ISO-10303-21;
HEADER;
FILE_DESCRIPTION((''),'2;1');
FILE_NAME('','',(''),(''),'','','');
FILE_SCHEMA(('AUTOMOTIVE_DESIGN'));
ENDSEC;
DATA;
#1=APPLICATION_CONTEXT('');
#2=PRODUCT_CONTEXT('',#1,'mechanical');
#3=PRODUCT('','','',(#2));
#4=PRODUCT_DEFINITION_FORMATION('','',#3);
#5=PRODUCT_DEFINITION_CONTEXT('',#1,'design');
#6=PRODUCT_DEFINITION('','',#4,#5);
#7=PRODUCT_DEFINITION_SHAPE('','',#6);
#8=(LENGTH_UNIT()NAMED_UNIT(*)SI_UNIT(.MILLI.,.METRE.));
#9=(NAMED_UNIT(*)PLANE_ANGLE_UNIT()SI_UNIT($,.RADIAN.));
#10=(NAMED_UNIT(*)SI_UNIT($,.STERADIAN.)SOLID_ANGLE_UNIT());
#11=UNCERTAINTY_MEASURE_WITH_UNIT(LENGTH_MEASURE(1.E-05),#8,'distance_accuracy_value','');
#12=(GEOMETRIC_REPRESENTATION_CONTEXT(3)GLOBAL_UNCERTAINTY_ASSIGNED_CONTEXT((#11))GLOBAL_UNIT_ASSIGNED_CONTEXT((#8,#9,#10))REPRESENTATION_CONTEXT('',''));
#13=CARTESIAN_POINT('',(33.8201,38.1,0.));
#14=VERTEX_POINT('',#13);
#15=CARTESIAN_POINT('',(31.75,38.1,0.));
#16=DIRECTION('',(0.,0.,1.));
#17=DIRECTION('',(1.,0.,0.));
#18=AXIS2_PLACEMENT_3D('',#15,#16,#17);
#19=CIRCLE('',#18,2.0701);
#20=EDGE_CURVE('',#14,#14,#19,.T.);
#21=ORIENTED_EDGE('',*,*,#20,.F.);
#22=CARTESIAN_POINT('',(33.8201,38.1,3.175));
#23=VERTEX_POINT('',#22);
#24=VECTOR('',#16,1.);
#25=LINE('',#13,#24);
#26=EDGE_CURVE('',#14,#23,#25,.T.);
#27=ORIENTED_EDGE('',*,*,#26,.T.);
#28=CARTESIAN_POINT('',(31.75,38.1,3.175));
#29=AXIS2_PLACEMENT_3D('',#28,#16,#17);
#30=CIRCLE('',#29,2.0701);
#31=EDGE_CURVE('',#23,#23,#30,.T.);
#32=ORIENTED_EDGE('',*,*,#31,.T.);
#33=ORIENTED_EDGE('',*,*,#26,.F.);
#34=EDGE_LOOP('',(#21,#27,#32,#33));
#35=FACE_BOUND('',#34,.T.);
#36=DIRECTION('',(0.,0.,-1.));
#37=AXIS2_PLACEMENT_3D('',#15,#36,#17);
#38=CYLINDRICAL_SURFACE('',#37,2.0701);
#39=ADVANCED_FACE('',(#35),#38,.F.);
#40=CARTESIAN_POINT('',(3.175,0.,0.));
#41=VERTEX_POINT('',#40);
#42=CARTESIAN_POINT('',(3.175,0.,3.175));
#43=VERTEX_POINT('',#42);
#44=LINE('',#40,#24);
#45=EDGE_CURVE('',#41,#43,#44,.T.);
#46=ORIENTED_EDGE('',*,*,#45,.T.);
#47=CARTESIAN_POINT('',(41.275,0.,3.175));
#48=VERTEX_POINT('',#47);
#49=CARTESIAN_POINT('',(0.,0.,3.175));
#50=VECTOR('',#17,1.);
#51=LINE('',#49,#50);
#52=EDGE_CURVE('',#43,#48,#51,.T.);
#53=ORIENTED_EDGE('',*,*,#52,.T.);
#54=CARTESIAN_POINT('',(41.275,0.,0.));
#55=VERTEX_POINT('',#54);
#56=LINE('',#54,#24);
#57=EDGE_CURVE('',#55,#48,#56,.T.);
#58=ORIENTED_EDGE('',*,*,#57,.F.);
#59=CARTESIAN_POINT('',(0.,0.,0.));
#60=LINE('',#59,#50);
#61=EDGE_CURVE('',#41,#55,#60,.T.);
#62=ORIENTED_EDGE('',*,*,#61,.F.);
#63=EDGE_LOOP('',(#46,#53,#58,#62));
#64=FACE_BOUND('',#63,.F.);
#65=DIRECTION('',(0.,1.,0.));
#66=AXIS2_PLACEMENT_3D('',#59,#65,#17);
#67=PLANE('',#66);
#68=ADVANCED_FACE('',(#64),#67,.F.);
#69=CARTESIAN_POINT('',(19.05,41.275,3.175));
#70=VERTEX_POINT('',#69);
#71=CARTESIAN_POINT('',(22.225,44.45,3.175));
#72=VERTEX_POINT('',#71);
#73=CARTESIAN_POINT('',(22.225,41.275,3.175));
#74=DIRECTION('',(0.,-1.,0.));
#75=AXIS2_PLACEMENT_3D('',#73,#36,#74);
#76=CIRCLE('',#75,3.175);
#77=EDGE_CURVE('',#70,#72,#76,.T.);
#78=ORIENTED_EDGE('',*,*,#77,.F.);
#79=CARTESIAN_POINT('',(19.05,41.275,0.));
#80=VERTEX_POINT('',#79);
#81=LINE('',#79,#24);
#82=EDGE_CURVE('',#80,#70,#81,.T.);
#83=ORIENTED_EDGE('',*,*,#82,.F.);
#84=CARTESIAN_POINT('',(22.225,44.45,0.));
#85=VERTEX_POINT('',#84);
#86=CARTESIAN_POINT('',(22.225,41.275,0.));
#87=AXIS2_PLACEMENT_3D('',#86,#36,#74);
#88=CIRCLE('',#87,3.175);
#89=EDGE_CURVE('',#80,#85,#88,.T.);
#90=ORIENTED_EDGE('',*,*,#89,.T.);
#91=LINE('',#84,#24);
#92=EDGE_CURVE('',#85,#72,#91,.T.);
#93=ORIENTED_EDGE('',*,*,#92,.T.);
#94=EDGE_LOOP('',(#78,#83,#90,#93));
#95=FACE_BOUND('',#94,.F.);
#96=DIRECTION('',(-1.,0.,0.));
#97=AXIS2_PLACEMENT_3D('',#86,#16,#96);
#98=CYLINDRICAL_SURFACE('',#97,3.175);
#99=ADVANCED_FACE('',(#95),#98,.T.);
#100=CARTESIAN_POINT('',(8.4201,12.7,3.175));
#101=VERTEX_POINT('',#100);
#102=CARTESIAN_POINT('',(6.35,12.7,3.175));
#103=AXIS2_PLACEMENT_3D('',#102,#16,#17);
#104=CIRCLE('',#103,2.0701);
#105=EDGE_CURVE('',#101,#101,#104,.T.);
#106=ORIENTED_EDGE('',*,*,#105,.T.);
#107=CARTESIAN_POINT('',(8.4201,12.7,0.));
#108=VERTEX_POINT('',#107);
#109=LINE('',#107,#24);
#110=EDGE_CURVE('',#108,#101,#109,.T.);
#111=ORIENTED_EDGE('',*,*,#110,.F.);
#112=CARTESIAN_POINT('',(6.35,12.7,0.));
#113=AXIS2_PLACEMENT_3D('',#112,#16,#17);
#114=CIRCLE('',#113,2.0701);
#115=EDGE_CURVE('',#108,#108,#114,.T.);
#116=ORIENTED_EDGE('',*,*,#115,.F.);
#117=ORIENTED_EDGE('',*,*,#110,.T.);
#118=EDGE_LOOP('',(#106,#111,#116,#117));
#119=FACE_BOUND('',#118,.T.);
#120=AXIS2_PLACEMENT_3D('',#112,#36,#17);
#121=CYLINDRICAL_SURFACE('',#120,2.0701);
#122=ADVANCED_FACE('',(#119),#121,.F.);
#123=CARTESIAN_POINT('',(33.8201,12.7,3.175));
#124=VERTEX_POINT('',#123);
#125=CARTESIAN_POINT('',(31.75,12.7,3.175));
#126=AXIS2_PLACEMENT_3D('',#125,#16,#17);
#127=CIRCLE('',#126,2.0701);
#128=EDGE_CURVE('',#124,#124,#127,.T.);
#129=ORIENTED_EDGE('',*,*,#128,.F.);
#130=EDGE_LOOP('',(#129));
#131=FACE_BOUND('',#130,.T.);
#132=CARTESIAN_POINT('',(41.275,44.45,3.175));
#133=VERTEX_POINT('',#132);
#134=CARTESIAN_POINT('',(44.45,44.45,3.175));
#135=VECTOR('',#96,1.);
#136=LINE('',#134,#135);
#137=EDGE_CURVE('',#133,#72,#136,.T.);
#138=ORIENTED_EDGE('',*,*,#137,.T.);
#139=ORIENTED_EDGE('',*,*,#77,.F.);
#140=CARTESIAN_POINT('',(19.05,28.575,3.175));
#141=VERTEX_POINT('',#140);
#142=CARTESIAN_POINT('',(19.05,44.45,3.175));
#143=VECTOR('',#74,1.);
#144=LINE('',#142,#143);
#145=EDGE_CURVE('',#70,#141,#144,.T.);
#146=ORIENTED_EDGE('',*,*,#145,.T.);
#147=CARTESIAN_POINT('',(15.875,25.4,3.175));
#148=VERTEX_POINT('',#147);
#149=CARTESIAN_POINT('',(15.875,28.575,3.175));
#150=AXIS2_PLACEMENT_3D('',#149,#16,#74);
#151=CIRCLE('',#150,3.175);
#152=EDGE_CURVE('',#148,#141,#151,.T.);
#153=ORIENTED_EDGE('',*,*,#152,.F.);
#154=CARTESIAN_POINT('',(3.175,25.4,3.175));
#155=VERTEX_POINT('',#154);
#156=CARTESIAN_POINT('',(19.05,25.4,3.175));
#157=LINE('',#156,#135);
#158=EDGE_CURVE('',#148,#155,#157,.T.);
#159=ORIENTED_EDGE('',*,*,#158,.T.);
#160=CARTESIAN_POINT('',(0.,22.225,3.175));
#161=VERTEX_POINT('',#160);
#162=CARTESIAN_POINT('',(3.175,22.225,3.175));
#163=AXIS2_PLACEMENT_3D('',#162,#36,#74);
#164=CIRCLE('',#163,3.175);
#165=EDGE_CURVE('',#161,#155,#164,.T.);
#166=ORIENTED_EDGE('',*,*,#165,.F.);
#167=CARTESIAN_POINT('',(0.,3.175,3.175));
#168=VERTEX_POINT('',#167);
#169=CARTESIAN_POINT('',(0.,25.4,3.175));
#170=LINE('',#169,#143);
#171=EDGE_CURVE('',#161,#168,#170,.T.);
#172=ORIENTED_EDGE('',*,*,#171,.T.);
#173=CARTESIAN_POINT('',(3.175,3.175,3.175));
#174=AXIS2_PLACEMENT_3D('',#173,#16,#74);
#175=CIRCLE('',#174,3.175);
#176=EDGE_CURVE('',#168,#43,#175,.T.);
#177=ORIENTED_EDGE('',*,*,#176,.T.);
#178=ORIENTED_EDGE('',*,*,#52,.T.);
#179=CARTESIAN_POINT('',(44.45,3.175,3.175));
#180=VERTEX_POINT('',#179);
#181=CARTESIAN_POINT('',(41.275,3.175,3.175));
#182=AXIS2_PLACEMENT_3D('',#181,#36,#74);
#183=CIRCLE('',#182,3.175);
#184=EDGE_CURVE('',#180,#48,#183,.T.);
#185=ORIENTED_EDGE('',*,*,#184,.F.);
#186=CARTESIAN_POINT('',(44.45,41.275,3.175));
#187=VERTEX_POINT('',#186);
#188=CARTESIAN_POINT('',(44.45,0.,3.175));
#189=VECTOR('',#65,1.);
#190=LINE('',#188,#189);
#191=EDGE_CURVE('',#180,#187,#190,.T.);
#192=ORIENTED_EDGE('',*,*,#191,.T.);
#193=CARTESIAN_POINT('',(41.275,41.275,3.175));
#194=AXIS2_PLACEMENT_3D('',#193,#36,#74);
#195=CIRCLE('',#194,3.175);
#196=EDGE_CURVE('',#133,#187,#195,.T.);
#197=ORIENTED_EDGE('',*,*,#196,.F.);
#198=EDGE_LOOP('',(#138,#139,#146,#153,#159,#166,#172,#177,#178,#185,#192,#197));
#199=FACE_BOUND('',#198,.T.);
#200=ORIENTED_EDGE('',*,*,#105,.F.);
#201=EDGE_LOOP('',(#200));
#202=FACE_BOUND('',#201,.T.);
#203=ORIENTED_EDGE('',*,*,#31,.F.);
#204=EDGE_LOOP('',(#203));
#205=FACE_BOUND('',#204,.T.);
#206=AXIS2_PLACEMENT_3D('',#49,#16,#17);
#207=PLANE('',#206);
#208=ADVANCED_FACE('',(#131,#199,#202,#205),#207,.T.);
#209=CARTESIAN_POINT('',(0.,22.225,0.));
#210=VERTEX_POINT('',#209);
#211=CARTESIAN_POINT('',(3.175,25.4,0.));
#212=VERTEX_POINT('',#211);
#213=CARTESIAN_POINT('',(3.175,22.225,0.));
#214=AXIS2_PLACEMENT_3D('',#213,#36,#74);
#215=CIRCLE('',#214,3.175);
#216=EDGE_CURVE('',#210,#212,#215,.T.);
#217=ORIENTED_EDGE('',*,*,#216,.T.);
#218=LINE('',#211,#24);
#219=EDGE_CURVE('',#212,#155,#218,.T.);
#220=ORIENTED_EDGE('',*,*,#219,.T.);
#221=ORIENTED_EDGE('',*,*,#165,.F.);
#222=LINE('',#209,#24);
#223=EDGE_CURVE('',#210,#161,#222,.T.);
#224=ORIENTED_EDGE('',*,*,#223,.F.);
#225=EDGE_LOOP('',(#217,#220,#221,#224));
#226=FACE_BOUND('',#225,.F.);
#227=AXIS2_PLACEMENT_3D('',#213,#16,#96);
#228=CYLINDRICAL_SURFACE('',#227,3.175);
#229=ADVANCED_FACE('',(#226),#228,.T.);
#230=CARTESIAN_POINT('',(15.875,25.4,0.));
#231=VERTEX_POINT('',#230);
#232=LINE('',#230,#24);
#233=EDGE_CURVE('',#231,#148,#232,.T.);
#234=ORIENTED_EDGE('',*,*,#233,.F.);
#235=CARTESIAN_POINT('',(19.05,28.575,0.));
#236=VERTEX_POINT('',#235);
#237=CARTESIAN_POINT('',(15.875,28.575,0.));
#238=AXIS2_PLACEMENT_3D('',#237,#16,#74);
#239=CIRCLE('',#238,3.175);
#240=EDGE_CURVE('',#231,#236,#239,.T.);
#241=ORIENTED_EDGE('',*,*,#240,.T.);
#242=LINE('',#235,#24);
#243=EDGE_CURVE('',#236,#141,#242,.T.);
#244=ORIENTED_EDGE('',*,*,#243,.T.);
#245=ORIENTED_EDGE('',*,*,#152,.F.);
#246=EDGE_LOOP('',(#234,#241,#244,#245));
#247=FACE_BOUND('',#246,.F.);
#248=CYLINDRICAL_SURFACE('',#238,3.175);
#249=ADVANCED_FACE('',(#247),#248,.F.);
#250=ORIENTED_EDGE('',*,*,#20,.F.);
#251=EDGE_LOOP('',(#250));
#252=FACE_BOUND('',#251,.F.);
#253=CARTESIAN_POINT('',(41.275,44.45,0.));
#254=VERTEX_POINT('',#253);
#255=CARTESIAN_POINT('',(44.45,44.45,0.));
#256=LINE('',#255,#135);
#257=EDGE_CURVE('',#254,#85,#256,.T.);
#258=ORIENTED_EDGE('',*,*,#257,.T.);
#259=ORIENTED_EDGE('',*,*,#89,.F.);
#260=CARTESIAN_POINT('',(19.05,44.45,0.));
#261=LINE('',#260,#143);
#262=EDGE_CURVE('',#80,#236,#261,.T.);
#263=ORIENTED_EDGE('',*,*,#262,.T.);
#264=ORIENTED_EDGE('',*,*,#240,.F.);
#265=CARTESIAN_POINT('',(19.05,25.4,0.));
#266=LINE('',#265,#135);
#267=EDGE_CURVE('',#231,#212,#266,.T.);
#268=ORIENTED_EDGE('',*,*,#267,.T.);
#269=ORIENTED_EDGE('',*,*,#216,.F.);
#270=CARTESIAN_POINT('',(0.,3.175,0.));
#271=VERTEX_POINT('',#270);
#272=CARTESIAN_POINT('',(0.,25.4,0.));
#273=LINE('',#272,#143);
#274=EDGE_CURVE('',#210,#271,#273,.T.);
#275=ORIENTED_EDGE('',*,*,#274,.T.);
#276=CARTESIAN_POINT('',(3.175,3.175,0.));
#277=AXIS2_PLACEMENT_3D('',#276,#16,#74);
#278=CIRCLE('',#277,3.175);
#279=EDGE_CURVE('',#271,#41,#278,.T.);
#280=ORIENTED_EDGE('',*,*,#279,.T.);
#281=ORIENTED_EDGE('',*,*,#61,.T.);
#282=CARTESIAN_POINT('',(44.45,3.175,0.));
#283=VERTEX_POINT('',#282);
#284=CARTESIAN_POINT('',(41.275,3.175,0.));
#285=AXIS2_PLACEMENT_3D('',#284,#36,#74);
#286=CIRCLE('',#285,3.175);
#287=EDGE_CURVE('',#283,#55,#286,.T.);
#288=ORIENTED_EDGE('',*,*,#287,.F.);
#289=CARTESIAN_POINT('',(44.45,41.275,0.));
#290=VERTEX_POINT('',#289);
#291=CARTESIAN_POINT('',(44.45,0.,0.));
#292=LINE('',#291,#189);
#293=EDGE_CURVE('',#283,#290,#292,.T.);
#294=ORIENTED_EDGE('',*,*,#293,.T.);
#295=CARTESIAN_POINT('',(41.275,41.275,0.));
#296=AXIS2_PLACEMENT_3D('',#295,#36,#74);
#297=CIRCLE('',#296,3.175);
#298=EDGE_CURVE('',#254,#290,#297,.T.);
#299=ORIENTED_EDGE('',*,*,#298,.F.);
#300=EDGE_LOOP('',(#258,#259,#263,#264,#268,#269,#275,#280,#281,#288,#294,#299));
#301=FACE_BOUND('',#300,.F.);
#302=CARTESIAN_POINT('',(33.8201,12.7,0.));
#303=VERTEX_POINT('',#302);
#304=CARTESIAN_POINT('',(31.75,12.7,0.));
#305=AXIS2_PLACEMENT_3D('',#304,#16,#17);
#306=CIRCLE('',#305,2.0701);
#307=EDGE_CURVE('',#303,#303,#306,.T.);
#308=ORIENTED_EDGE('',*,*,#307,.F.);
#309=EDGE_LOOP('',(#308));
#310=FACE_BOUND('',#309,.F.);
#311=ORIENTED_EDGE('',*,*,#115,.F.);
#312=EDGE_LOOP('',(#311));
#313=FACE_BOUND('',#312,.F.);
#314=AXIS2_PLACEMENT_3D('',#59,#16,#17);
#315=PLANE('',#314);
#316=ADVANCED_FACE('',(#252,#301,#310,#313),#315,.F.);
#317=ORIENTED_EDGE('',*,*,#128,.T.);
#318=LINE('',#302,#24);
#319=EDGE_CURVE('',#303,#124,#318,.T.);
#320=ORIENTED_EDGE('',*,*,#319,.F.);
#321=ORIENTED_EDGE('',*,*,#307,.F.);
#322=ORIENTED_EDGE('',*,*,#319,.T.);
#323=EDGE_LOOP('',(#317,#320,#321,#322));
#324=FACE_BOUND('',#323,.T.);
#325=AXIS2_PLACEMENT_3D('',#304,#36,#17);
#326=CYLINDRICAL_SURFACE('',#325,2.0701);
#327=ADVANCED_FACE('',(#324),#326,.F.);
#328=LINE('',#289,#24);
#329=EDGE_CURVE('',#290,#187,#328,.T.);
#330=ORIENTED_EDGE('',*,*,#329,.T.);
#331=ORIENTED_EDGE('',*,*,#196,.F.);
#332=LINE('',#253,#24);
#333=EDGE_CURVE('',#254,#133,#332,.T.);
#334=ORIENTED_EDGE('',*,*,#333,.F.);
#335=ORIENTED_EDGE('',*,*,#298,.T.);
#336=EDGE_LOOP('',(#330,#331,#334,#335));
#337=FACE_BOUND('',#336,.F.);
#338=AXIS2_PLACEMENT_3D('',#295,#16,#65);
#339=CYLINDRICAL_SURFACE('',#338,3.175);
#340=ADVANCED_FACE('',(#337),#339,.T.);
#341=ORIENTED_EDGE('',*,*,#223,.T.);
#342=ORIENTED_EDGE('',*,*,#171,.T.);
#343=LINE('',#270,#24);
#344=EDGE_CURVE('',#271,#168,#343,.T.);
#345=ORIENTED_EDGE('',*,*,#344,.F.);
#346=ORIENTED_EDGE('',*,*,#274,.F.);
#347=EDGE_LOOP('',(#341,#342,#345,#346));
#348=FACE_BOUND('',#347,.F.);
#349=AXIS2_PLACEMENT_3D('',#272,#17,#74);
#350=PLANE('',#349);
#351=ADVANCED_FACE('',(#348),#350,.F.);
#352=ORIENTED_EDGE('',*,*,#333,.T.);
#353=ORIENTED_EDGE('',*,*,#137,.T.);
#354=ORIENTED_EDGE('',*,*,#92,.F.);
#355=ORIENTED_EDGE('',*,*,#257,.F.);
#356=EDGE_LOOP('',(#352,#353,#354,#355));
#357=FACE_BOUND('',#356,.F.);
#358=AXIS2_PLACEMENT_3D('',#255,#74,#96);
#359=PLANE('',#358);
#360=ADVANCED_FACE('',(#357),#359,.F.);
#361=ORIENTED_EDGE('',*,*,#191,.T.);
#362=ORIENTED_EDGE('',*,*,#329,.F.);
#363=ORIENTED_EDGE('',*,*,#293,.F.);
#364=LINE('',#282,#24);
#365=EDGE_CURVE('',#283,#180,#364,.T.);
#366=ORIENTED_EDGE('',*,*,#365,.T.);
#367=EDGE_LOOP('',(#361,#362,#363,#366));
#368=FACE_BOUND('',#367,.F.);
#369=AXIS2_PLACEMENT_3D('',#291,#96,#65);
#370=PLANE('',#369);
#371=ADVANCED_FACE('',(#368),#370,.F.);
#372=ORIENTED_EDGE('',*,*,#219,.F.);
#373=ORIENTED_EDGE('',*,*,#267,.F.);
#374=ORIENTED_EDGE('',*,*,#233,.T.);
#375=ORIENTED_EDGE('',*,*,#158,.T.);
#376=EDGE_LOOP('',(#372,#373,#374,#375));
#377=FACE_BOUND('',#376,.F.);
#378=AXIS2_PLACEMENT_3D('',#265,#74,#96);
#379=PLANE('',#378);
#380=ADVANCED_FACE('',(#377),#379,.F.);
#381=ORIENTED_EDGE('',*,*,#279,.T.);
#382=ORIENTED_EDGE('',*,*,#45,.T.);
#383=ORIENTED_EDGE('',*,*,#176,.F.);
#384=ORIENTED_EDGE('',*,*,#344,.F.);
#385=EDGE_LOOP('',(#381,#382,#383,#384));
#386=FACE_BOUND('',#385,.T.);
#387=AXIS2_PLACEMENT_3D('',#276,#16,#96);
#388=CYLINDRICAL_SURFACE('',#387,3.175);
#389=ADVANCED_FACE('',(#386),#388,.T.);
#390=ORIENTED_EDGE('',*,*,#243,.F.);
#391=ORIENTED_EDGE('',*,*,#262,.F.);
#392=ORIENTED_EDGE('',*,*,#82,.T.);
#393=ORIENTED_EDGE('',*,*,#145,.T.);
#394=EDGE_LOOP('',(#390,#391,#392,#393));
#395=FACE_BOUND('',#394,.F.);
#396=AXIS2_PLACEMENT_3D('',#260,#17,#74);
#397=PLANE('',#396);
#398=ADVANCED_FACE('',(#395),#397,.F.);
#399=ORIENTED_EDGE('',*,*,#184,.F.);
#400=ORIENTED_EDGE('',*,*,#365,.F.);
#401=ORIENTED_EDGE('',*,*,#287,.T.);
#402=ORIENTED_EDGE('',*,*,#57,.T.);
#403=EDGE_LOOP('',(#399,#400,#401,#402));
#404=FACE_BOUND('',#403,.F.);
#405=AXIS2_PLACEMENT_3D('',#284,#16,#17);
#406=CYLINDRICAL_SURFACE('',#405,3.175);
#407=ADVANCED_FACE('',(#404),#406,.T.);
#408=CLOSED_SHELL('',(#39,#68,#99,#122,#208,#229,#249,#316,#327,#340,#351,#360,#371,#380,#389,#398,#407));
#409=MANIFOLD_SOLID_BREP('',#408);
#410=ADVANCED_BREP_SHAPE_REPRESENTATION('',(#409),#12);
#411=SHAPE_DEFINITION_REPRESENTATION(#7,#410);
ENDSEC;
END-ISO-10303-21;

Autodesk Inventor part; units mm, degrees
ref_plane "YZ Plane" through (0, 0, 0) normal (1, 0, 0) x (0, 1, 0)
ref_plane "XZ Plane" through (0, 0, 0) normal (0, 1, 0) x (-1, 0, 0)
ref_plane "XY Plane" through (0, 0, 0) normal (0, 0, 1) x (1, 0, 0)
sketch "Sketch1" plane through (0, 0, 0) normal (0, 0, 1) x (1, 0, 0)
  line L0 (0, 0) -> (44.45, 0)
  line L1 (44.45, 0) -> (44.45, 44.45)
  line L2 (44.45, 44.45) -> (19.05, 44.45)
  line L3 (19.05, 44.45) -> (19.05, 25.4)
  line L4 (19.05, 25.4) -> (0, 25.4)
  line L5 (0, 25.4) -> (0, 0)
  circle A0 centre (6.35, 12.7) radius 2.0701
  circle A1 centre (31.75, 12.7) radius 2.0701
  circle A2 centre (31.75, 38.1) radius 2.0701
  dimension "d0" = 44.45
  dimension "d1" = 25.4
  dimension "d2" = 4.1402
  dimension "d3" = 12.7
  dimension "d4" = 6.35
  dimension "d7" = 25.4
  dimension "d14" = 25.4
extrude "Extrusion1" add sketch "Sketch1" along normal blind 3.175
fillet "Fillet1" radius 3.175 6 edges at (19.05, 25.4, 1.5875) (0, 25.4, 1.5875) (0, 0, 1.5875) (44.45, 0, 1.5875) (44.45, 44.45, 1.5875) (19.05, 44.45, 1.5875)
properties part number "Spacer 2" material "ABS Plastic"
